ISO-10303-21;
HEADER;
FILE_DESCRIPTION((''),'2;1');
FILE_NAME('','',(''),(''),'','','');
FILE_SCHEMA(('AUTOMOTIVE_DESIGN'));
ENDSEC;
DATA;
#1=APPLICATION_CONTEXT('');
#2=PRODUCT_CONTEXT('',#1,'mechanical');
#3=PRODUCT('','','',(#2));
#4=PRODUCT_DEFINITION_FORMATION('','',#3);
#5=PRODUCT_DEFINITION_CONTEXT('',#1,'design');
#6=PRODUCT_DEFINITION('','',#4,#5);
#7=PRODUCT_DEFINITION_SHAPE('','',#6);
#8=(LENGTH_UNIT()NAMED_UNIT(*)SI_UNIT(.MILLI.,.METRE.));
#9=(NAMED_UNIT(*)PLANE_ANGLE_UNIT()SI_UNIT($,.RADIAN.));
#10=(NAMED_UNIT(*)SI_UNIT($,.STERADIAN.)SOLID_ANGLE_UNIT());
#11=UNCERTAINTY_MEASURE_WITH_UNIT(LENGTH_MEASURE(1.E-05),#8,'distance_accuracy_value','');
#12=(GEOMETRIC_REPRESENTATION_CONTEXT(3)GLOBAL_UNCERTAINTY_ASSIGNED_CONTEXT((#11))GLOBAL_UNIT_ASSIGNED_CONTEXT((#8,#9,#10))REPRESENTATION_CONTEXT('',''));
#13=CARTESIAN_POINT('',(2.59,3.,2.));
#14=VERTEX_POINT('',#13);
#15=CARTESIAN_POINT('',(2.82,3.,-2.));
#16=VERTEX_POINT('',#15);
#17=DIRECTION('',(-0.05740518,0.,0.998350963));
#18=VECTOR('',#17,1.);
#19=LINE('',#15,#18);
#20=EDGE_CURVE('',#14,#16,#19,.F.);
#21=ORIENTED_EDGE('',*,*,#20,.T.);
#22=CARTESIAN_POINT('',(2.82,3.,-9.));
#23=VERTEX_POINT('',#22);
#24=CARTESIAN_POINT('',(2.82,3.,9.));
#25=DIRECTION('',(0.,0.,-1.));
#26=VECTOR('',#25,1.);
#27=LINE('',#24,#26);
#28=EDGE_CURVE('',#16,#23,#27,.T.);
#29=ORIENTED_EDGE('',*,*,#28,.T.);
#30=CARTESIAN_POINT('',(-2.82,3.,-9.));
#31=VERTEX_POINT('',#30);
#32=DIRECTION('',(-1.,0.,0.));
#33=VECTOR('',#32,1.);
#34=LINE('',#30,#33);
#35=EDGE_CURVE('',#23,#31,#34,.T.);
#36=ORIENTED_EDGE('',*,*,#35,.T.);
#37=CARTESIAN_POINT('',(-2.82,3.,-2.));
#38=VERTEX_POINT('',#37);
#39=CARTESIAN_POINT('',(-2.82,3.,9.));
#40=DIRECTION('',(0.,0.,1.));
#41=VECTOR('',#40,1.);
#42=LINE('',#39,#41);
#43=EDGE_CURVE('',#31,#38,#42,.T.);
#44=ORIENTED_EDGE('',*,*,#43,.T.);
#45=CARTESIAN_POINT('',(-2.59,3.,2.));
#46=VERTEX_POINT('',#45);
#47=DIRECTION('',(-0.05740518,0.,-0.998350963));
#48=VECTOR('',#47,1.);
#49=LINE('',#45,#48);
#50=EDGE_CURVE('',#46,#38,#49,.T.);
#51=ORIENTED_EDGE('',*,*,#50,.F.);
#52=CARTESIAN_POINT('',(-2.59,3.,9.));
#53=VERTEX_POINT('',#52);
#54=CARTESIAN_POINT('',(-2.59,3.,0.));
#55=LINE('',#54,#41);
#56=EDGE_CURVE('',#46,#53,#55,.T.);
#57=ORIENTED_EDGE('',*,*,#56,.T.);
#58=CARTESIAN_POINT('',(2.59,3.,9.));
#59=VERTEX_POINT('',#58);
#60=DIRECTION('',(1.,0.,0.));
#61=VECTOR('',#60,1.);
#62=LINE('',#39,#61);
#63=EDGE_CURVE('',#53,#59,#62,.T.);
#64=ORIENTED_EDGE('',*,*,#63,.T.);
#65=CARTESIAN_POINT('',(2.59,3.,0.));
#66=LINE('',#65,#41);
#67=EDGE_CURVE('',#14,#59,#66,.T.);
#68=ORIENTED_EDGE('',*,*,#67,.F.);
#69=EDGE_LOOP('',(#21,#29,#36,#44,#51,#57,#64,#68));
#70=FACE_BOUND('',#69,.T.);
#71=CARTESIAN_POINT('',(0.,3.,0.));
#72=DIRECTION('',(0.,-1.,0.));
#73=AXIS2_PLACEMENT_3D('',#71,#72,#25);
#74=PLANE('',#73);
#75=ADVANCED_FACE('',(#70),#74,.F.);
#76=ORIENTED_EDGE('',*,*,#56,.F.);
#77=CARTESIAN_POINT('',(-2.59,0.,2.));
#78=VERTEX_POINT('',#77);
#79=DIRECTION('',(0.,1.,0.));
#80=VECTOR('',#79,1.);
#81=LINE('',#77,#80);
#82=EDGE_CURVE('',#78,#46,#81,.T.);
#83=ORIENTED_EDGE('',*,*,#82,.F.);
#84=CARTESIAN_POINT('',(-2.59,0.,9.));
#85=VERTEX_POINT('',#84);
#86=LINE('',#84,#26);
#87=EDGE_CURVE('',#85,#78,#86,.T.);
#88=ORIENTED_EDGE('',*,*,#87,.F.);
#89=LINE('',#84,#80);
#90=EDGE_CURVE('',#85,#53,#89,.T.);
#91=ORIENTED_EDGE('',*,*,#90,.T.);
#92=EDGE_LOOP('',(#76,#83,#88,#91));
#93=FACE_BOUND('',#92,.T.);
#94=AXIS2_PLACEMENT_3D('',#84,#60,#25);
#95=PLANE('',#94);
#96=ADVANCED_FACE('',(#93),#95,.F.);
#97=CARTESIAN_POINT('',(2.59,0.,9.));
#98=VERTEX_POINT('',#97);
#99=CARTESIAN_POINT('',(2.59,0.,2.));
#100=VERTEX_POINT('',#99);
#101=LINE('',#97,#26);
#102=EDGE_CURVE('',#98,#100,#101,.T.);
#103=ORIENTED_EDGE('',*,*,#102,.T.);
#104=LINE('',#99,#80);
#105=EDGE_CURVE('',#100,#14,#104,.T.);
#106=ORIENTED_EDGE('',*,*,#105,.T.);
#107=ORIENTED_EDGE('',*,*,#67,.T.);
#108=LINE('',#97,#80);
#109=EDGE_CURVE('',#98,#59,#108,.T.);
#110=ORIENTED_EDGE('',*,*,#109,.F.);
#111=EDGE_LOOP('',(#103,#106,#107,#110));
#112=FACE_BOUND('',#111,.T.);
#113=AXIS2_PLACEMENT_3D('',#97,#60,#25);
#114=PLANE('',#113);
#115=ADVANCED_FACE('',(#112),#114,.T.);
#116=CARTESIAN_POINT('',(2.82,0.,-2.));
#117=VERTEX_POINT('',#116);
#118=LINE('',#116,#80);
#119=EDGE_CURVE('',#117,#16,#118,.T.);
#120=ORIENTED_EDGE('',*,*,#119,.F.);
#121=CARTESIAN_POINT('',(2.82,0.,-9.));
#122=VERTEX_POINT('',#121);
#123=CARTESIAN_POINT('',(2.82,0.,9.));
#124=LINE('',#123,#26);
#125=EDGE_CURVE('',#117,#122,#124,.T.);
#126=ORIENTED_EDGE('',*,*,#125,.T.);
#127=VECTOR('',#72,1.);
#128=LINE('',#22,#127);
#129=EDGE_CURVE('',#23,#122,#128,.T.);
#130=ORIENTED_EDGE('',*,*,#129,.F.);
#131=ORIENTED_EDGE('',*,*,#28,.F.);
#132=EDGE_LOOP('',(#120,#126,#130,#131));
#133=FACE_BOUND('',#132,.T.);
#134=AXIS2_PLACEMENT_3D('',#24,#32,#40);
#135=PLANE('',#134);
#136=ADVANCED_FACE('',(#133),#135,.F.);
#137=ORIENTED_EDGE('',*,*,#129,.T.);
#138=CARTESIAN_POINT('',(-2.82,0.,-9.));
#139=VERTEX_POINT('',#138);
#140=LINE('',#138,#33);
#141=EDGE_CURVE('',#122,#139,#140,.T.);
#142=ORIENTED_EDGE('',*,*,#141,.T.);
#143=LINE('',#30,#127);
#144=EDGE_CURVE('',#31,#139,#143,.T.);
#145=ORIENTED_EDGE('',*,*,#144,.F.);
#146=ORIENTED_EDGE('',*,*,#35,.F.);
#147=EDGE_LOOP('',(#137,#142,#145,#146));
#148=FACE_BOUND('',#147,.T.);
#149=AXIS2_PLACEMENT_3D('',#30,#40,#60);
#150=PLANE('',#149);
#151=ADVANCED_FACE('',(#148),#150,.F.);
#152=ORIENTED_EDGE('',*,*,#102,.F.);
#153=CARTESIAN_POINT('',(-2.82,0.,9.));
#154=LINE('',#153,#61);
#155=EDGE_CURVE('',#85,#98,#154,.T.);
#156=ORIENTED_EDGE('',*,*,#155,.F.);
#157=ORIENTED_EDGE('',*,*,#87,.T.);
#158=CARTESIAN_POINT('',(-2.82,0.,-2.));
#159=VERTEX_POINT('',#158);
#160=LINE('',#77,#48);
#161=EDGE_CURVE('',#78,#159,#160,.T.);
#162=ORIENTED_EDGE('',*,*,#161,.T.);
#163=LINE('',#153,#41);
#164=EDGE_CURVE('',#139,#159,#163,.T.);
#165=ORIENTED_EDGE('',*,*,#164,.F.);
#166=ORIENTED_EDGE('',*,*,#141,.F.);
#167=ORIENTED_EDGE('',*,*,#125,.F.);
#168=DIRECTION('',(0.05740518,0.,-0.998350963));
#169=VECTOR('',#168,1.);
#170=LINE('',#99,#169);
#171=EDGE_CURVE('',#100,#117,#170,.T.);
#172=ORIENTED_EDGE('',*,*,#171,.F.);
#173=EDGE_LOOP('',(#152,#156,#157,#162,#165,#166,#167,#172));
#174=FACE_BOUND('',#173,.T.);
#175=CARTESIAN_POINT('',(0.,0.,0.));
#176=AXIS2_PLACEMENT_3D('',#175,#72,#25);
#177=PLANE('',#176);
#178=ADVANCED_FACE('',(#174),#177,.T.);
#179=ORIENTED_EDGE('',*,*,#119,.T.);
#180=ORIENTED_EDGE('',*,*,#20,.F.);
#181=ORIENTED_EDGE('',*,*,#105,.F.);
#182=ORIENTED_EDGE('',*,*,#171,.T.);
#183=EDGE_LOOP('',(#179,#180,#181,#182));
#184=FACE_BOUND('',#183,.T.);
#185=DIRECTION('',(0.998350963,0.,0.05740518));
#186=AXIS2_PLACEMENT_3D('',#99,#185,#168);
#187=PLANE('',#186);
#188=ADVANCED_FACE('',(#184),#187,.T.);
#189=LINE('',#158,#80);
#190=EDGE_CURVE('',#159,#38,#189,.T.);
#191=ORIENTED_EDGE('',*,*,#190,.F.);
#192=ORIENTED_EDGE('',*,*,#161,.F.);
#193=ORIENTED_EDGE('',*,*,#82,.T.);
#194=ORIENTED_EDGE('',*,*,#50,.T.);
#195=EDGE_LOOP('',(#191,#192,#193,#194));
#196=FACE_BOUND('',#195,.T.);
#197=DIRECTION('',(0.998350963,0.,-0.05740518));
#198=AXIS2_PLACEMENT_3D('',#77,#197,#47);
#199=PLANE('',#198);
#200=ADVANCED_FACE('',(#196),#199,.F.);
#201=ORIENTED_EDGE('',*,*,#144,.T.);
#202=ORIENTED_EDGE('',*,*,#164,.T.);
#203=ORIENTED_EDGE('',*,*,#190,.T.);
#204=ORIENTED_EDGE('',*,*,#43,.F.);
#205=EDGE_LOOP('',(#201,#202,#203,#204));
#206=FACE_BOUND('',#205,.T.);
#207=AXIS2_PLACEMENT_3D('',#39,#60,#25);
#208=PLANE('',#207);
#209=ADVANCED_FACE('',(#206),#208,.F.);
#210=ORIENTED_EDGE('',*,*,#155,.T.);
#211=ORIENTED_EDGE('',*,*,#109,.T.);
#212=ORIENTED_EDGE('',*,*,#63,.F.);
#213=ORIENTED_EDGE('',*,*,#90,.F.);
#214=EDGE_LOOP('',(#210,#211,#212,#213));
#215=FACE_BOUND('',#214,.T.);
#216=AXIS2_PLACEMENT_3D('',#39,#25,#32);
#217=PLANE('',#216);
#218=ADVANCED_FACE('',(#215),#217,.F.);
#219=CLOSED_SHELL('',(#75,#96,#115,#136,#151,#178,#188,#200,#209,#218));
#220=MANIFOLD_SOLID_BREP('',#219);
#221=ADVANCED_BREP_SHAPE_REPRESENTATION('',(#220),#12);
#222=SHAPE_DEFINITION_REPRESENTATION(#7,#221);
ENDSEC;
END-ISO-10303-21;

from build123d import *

# Parameters (mm, degrees)
SKETCH1_W           = 5.64
SKETCH1_H           = 18
BOSS_EXTRUDE1_DEPTH = 3
CUT_EXTRUDE1_START  = -4
CUT_EXTRUDE1_DEPTH  = 5


with BuildPart() as part:
    # Sketch1 → Boss-Extrude1 (new body)
    with BuildSketch(Plane(origin=(0, 0, 0), x_dir=(1, 0, 0), z_dir=(0, 1, 0))):
        Rectangle(SKETCH1_W, SKETCH1_H)
    extrude(amount=BOSS_EXTRUDE1_DEPTH)

    # Sketch2 → Cut-Extrude1 (cut)
    with BuildSketch(Plane(origin=(0, 3, 0), x_dir=(1, 0, 0), z_dir=(0, 1, 0)).offset(CUT_EXTRUDE1_START)):
        Polygon((-2.59, -9), (-2.59, -2), (-2.82, 2), (-2.82, -9), align=None)
    cut_extrude1 = extrude(amount=CUT_EXTRUDE1_DEPTH, mode=Mode.SUBTRACT)

    # Mirror1: Cut-Extrude1 across plane
    add(cut_extrude1.mirror(Plane(origin=(0, 0, 0), x_dir=(0, 0, 1), z_dir=(1, 0, 0))), mode=Mode.SUBTRACT)


solid = part.part
